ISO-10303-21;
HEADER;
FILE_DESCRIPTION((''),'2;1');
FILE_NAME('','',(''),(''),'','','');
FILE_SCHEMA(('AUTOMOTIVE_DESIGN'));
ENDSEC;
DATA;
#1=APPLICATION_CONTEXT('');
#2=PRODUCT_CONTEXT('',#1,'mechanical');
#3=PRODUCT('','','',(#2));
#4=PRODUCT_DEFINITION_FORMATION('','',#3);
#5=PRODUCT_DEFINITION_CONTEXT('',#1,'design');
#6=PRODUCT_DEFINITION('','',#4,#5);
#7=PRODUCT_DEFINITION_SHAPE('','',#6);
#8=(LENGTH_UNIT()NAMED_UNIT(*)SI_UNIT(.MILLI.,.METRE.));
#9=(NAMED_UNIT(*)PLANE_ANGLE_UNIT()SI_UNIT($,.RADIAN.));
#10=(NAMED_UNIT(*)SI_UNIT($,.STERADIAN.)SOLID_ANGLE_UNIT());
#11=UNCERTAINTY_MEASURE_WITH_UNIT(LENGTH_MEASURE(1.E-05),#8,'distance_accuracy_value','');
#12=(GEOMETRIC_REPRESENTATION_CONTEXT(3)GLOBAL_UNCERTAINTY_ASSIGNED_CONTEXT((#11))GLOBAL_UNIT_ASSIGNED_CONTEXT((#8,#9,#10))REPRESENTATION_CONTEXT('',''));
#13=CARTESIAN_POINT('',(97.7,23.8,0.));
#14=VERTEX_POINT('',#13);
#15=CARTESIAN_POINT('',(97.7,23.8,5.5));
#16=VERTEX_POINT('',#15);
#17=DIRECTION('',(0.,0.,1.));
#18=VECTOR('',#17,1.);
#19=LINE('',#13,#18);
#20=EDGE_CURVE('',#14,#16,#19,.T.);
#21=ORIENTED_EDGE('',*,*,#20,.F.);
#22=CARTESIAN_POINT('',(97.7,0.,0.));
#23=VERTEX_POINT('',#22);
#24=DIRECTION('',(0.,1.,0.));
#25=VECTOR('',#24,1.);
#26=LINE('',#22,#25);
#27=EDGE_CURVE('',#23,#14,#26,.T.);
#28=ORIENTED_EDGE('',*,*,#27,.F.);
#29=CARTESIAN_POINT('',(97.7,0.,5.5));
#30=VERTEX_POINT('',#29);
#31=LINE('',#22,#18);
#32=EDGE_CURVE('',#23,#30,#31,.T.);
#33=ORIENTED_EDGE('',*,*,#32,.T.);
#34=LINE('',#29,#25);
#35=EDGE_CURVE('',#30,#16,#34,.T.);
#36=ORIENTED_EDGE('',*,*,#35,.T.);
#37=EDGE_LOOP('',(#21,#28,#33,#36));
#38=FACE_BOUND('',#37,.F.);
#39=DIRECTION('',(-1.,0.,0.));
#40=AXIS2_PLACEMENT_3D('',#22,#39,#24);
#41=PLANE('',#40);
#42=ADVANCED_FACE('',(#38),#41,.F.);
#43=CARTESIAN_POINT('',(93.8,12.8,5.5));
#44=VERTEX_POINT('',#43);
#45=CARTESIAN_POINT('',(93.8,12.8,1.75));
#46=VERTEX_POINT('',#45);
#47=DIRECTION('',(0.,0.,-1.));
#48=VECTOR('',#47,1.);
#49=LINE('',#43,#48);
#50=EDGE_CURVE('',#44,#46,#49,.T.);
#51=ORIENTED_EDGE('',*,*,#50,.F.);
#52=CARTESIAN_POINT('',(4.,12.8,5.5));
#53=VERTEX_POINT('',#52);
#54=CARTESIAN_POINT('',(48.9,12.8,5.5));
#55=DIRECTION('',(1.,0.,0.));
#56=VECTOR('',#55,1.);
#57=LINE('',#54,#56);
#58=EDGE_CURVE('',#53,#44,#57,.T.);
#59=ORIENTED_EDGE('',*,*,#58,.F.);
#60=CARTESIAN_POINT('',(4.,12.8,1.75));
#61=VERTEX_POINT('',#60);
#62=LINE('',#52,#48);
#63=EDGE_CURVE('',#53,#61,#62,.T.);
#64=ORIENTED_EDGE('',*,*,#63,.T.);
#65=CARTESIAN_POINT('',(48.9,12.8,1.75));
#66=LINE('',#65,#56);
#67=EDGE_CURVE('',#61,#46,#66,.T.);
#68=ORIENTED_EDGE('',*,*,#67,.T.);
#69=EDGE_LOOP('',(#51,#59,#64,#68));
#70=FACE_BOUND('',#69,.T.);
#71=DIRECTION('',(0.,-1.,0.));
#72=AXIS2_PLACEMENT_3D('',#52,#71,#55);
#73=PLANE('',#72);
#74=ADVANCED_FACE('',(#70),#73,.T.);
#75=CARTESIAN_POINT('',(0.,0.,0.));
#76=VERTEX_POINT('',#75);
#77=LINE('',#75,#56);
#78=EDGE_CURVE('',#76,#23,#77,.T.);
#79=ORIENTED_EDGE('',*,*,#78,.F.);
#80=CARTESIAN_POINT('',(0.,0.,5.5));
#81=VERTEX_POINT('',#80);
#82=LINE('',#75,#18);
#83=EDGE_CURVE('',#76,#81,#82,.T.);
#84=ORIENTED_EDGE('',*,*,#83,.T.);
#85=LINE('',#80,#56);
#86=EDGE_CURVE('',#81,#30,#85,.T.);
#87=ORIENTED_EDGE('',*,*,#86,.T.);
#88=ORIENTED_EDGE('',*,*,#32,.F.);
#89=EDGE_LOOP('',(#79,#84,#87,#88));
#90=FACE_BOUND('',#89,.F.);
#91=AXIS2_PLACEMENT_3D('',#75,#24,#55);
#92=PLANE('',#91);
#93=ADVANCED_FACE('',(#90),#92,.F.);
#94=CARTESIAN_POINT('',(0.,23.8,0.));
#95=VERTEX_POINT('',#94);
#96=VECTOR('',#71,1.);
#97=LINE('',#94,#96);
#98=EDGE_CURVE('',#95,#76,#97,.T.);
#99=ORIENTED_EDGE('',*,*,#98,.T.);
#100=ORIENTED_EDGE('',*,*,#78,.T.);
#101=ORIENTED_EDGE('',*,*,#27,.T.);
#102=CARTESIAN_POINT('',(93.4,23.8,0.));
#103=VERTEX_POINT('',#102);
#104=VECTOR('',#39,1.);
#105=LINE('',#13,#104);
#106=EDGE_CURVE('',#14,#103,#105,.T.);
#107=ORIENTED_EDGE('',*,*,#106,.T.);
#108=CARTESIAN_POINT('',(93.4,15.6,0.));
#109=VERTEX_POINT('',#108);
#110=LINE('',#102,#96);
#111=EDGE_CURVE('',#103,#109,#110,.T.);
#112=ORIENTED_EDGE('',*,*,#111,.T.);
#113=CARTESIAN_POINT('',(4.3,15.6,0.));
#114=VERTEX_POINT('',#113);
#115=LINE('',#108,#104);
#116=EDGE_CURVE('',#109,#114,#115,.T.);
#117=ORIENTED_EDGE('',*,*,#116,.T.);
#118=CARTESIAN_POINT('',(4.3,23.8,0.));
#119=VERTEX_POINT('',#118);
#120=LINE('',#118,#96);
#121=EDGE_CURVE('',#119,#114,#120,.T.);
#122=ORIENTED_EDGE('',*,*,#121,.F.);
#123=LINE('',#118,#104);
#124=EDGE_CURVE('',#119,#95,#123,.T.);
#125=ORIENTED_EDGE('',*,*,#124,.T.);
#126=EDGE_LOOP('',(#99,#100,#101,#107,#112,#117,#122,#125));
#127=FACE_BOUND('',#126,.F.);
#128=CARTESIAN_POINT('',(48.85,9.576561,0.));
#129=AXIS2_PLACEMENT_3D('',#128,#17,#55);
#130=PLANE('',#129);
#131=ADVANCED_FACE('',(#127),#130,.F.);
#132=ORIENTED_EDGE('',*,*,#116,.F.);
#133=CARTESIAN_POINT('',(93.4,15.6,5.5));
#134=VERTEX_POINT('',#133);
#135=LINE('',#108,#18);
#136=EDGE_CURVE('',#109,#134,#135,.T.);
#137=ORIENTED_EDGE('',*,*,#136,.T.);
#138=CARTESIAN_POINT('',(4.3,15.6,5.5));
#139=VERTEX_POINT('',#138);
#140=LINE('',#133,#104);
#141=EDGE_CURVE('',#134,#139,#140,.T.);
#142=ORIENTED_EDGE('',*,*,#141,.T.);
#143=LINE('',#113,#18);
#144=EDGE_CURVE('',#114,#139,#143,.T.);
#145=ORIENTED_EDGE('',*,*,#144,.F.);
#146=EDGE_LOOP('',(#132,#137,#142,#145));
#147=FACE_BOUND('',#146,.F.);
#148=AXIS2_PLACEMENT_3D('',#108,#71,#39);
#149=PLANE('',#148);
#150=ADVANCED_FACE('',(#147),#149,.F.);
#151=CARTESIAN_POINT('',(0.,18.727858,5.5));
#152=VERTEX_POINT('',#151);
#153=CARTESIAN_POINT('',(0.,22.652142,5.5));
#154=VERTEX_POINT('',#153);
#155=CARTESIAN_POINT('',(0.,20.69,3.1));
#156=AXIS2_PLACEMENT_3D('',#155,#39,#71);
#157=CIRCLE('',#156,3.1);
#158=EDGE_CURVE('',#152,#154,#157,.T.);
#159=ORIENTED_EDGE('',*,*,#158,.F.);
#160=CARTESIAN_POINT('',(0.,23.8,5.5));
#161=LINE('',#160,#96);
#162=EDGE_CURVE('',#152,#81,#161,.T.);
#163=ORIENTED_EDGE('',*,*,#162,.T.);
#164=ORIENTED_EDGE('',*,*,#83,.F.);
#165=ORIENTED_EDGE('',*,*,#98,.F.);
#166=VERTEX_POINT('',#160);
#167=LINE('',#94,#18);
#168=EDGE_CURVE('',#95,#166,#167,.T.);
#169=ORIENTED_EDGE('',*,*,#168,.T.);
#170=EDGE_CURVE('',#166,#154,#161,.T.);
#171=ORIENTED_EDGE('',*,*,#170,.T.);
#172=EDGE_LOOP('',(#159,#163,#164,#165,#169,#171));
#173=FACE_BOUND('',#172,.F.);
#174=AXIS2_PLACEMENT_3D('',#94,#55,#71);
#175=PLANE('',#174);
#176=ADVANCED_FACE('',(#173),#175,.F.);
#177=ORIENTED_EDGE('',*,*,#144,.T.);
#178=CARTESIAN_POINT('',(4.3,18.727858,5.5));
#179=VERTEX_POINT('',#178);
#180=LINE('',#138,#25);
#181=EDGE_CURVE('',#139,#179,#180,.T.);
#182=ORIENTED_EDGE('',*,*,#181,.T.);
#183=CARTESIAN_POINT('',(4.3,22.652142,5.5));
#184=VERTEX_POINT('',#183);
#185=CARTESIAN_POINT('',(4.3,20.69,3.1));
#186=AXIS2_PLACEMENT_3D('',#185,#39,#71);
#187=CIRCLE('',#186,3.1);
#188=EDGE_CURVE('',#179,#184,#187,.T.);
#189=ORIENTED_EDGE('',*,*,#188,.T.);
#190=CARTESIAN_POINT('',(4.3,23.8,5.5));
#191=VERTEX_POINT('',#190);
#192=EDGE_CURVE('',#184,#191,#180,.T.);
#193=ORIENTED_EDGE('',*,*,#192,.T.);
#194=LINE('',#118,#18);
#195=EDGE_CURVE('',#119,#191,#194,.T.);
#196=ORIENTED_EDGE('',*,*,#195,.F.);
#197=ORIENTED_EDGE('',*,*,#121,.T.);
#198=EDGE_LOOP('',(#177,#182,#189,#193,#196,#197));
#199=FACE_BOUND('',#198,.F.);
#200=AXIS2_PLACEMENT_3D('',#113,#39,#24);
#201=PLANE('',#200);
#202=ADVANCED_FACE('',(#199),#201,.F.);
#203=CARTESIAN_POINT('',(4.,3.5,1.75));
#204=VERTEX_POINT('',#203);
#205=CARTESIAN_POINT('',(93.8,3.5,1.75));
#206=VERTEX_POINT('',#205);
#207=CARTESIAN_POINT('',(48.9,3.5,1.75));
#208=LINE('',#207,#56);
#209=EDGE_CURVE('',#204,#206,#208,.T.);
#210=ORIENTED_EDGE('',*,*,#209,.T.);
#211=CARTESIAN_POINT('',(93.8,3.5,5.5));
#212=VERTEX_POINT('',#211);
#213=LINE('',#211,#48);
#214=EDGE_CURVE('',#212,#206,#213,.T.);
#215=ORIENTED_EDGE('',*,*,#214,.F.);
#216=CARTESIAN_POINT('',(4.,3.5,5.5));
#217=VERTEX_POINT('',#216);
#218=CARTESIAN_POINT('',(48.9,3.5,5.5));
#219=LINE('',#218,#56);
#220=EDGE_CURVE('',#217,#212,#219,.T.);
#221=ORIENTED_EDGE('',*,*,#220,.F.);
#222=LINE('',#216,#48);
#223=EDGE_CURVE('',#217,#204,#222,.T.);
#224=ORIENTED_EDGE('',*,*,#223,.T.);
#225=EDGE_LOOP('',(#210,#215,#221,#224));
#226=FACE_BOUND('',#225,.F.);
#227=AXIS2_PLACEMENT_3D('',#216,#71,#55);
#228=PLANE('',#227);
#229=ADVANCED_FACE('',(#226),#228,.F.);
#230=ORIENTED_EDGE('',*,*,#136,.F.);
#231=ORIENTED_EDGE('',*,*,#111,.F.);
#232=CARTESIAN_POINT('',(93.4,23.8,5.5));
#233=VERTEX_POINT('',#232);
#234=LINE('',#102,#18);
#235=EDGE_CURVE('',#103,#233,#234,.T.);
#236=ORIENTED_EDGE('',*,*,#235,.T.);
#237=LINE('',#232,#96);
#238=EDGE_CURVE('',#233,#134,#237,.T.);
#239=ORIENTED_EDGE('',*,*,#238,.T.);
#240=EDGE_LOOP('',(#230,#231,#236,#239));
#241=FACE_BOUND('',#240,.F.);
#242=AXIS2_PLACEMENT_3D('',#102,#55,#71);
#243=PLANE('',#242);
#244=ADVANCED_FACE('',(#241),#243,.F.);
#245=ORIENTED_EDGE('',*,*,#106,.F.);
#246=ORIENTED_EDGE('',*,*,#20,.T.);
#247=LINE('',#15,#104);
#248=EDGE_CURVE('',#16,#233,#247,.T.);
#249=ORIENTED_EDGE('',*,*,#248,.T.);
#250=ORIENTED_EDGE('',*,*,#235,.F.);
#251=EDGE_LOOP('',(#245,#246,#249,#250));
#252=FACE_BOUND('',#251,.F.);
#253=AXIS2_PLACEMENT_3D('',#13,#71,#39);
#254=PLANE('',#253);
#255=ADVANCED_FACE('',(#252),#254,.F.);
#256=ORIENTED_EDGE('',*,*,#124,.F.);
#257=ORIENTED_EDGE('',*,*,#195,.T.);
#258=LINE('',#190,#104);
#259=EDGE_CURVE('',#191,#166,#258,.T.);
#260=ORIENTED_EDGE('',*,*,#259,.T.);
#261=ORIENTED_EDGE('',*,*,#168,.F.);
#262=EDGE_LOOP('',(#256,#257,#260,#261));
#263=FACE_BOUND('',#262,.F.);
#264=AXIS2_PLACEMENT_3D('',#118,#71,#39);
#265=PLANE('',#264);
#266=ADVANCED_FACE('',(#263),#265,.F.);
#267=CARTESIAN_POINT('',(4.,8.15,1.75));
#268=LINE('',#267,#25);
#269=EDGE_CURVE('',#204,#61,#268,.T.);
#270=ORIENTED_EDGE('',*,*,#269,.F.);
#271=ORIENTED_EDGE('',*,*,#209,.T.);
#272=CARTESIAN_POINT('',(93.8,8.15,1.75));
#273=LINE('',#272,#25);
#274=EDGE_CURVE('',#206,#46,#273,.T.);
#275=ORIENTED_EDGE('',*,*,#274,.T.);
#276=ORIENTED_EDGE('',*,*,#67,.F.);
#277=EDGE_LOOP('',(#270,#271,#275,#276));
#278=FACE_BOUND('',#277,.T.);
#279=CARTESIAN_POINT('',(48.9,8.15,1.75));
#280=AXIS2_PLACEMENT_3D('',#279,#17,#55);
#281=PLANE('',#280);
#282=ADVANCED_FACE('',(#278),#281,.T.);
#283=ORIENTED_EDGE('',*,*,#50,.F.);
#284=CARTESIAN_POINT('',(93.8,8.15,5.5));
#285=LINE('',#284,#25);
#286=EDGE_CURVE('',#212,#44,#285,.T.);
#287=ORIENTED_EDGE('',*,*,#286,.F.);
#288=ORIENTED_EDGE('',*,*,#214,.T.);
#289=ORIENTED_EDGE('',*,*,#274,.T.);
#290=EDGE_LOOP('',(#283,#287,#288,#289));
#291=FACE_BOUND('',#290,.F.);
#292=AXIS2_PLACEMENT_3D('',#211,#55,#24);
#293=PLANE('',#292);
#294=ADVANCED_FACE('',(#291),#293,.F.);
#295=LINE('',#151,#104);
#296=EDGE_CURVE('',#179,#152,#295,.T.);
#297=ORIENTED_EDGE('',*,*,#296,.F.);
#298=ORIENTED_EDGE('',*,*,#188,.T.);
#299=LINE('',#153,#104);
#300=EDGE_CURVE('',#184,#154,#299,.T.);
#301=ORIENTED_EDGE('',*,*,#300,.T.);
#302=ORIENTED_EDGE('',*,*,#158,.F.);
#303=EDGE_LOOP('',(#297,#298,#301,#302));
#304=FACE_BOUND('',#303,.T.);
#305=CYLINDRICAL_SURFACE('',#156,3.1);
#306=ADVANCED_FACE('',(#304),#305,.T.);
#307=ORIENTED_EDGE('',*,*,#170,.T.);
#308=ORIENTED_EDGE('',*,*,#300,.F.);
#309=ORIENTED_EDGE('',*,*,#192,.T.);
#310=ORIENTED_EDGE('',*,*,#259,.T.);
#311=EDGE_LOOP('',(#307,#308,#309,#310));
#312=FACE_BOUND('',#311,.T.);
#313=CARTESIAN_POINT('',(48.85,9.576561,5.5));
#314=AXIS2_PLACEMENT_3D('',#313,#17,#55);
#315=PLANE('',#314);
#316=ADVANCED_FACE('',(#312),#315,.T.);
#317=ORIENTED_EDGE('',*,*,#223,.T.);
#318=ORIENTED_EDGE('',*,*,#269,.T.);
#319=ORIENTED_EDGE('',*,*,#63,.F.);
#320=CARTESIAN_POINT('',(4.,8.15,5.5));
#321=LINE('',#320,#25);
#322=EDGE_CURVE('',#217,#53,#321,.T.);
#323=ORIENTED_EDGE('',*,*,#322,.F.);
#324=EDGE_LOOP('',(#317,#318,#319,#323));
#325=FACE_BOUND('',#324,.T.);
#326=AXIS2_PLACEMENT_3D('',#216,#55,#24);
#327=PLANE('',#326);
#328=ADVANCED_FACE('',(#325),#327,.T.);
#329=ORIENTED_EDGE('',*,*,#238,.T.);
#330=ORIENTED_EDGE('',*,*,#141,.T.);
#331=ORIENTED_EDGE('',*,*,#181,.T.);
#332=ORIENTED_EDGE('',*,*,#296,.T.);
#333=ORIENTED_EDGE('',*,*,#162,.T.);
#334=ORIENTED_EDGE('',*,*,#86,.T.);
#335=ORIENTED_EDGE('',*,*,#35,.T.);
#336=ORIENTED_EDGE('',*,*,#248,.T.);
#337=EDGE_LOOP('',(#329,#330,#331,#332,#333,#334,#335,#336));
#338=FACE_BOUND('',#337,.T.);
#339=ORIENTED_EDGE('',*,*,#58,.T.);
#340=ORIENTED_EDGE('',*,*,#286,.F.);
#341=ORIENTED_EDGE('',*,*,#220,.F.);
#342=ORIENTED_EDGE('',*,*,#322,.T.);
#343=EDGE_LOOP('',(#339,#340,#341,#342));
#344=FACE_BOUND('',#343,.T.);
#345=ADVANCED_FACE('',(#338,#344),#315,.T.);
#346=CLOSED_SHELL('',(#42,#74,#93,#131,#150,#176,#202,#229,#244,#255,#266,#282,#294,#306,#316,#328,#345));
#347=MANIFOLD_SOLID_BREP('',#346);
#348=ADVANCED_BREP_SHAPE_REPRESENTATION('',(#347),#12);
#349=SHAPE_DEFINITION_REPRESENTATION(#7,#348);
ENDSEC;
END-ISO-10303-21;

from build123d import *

# Parameters (mm, degrees)
PAD_DEPTH    = 5.5
SKETCH001_W  = 89.8
SKETCH001_H  = 9.3
POCKET_DEPTH = 3.75
SKETCH002_R  = 3.1
PAD001_DEPTH = 4.3


with BuildPart() as part:
    # Sketch → Pad (new body)
    with BuildSketch(Plane.XY):
        Polygon((0, 0), (97.7, 0), (97.7, 23.8), (93.4, 23.8), (93.4, 15.6), (4.3, 15.6), (4.3, 23.8), (0, 23.8), align=None)
    extrude(amount=PAD_DEPTH)

    # Sketch001 (on Face10 of Pad) → Pocket (cut)
    with BuildSketch(Plane.XY.offset(5.5)):
        with Locations((48.9, 8.15)):
            Rectangle(SKETCH001_W, SKETCH001_H)
    extrude(amount=-POCKET_DEPTH, mode=Mode.SUBTRACT)

    # Sketch002 (on Face2 of Pocket) → Pad001 (join)
    with BuildSketch(Plane(origin=(0, 0, 0), x_dir=(0, -1, 0), z_dir=(-1, 0, 0))):
        with Locations((-20.69, 3.1)):
            Circle(SKETCH002_R)
    extrude(amount=-PAD001_DEPTH)


solid = part.part
